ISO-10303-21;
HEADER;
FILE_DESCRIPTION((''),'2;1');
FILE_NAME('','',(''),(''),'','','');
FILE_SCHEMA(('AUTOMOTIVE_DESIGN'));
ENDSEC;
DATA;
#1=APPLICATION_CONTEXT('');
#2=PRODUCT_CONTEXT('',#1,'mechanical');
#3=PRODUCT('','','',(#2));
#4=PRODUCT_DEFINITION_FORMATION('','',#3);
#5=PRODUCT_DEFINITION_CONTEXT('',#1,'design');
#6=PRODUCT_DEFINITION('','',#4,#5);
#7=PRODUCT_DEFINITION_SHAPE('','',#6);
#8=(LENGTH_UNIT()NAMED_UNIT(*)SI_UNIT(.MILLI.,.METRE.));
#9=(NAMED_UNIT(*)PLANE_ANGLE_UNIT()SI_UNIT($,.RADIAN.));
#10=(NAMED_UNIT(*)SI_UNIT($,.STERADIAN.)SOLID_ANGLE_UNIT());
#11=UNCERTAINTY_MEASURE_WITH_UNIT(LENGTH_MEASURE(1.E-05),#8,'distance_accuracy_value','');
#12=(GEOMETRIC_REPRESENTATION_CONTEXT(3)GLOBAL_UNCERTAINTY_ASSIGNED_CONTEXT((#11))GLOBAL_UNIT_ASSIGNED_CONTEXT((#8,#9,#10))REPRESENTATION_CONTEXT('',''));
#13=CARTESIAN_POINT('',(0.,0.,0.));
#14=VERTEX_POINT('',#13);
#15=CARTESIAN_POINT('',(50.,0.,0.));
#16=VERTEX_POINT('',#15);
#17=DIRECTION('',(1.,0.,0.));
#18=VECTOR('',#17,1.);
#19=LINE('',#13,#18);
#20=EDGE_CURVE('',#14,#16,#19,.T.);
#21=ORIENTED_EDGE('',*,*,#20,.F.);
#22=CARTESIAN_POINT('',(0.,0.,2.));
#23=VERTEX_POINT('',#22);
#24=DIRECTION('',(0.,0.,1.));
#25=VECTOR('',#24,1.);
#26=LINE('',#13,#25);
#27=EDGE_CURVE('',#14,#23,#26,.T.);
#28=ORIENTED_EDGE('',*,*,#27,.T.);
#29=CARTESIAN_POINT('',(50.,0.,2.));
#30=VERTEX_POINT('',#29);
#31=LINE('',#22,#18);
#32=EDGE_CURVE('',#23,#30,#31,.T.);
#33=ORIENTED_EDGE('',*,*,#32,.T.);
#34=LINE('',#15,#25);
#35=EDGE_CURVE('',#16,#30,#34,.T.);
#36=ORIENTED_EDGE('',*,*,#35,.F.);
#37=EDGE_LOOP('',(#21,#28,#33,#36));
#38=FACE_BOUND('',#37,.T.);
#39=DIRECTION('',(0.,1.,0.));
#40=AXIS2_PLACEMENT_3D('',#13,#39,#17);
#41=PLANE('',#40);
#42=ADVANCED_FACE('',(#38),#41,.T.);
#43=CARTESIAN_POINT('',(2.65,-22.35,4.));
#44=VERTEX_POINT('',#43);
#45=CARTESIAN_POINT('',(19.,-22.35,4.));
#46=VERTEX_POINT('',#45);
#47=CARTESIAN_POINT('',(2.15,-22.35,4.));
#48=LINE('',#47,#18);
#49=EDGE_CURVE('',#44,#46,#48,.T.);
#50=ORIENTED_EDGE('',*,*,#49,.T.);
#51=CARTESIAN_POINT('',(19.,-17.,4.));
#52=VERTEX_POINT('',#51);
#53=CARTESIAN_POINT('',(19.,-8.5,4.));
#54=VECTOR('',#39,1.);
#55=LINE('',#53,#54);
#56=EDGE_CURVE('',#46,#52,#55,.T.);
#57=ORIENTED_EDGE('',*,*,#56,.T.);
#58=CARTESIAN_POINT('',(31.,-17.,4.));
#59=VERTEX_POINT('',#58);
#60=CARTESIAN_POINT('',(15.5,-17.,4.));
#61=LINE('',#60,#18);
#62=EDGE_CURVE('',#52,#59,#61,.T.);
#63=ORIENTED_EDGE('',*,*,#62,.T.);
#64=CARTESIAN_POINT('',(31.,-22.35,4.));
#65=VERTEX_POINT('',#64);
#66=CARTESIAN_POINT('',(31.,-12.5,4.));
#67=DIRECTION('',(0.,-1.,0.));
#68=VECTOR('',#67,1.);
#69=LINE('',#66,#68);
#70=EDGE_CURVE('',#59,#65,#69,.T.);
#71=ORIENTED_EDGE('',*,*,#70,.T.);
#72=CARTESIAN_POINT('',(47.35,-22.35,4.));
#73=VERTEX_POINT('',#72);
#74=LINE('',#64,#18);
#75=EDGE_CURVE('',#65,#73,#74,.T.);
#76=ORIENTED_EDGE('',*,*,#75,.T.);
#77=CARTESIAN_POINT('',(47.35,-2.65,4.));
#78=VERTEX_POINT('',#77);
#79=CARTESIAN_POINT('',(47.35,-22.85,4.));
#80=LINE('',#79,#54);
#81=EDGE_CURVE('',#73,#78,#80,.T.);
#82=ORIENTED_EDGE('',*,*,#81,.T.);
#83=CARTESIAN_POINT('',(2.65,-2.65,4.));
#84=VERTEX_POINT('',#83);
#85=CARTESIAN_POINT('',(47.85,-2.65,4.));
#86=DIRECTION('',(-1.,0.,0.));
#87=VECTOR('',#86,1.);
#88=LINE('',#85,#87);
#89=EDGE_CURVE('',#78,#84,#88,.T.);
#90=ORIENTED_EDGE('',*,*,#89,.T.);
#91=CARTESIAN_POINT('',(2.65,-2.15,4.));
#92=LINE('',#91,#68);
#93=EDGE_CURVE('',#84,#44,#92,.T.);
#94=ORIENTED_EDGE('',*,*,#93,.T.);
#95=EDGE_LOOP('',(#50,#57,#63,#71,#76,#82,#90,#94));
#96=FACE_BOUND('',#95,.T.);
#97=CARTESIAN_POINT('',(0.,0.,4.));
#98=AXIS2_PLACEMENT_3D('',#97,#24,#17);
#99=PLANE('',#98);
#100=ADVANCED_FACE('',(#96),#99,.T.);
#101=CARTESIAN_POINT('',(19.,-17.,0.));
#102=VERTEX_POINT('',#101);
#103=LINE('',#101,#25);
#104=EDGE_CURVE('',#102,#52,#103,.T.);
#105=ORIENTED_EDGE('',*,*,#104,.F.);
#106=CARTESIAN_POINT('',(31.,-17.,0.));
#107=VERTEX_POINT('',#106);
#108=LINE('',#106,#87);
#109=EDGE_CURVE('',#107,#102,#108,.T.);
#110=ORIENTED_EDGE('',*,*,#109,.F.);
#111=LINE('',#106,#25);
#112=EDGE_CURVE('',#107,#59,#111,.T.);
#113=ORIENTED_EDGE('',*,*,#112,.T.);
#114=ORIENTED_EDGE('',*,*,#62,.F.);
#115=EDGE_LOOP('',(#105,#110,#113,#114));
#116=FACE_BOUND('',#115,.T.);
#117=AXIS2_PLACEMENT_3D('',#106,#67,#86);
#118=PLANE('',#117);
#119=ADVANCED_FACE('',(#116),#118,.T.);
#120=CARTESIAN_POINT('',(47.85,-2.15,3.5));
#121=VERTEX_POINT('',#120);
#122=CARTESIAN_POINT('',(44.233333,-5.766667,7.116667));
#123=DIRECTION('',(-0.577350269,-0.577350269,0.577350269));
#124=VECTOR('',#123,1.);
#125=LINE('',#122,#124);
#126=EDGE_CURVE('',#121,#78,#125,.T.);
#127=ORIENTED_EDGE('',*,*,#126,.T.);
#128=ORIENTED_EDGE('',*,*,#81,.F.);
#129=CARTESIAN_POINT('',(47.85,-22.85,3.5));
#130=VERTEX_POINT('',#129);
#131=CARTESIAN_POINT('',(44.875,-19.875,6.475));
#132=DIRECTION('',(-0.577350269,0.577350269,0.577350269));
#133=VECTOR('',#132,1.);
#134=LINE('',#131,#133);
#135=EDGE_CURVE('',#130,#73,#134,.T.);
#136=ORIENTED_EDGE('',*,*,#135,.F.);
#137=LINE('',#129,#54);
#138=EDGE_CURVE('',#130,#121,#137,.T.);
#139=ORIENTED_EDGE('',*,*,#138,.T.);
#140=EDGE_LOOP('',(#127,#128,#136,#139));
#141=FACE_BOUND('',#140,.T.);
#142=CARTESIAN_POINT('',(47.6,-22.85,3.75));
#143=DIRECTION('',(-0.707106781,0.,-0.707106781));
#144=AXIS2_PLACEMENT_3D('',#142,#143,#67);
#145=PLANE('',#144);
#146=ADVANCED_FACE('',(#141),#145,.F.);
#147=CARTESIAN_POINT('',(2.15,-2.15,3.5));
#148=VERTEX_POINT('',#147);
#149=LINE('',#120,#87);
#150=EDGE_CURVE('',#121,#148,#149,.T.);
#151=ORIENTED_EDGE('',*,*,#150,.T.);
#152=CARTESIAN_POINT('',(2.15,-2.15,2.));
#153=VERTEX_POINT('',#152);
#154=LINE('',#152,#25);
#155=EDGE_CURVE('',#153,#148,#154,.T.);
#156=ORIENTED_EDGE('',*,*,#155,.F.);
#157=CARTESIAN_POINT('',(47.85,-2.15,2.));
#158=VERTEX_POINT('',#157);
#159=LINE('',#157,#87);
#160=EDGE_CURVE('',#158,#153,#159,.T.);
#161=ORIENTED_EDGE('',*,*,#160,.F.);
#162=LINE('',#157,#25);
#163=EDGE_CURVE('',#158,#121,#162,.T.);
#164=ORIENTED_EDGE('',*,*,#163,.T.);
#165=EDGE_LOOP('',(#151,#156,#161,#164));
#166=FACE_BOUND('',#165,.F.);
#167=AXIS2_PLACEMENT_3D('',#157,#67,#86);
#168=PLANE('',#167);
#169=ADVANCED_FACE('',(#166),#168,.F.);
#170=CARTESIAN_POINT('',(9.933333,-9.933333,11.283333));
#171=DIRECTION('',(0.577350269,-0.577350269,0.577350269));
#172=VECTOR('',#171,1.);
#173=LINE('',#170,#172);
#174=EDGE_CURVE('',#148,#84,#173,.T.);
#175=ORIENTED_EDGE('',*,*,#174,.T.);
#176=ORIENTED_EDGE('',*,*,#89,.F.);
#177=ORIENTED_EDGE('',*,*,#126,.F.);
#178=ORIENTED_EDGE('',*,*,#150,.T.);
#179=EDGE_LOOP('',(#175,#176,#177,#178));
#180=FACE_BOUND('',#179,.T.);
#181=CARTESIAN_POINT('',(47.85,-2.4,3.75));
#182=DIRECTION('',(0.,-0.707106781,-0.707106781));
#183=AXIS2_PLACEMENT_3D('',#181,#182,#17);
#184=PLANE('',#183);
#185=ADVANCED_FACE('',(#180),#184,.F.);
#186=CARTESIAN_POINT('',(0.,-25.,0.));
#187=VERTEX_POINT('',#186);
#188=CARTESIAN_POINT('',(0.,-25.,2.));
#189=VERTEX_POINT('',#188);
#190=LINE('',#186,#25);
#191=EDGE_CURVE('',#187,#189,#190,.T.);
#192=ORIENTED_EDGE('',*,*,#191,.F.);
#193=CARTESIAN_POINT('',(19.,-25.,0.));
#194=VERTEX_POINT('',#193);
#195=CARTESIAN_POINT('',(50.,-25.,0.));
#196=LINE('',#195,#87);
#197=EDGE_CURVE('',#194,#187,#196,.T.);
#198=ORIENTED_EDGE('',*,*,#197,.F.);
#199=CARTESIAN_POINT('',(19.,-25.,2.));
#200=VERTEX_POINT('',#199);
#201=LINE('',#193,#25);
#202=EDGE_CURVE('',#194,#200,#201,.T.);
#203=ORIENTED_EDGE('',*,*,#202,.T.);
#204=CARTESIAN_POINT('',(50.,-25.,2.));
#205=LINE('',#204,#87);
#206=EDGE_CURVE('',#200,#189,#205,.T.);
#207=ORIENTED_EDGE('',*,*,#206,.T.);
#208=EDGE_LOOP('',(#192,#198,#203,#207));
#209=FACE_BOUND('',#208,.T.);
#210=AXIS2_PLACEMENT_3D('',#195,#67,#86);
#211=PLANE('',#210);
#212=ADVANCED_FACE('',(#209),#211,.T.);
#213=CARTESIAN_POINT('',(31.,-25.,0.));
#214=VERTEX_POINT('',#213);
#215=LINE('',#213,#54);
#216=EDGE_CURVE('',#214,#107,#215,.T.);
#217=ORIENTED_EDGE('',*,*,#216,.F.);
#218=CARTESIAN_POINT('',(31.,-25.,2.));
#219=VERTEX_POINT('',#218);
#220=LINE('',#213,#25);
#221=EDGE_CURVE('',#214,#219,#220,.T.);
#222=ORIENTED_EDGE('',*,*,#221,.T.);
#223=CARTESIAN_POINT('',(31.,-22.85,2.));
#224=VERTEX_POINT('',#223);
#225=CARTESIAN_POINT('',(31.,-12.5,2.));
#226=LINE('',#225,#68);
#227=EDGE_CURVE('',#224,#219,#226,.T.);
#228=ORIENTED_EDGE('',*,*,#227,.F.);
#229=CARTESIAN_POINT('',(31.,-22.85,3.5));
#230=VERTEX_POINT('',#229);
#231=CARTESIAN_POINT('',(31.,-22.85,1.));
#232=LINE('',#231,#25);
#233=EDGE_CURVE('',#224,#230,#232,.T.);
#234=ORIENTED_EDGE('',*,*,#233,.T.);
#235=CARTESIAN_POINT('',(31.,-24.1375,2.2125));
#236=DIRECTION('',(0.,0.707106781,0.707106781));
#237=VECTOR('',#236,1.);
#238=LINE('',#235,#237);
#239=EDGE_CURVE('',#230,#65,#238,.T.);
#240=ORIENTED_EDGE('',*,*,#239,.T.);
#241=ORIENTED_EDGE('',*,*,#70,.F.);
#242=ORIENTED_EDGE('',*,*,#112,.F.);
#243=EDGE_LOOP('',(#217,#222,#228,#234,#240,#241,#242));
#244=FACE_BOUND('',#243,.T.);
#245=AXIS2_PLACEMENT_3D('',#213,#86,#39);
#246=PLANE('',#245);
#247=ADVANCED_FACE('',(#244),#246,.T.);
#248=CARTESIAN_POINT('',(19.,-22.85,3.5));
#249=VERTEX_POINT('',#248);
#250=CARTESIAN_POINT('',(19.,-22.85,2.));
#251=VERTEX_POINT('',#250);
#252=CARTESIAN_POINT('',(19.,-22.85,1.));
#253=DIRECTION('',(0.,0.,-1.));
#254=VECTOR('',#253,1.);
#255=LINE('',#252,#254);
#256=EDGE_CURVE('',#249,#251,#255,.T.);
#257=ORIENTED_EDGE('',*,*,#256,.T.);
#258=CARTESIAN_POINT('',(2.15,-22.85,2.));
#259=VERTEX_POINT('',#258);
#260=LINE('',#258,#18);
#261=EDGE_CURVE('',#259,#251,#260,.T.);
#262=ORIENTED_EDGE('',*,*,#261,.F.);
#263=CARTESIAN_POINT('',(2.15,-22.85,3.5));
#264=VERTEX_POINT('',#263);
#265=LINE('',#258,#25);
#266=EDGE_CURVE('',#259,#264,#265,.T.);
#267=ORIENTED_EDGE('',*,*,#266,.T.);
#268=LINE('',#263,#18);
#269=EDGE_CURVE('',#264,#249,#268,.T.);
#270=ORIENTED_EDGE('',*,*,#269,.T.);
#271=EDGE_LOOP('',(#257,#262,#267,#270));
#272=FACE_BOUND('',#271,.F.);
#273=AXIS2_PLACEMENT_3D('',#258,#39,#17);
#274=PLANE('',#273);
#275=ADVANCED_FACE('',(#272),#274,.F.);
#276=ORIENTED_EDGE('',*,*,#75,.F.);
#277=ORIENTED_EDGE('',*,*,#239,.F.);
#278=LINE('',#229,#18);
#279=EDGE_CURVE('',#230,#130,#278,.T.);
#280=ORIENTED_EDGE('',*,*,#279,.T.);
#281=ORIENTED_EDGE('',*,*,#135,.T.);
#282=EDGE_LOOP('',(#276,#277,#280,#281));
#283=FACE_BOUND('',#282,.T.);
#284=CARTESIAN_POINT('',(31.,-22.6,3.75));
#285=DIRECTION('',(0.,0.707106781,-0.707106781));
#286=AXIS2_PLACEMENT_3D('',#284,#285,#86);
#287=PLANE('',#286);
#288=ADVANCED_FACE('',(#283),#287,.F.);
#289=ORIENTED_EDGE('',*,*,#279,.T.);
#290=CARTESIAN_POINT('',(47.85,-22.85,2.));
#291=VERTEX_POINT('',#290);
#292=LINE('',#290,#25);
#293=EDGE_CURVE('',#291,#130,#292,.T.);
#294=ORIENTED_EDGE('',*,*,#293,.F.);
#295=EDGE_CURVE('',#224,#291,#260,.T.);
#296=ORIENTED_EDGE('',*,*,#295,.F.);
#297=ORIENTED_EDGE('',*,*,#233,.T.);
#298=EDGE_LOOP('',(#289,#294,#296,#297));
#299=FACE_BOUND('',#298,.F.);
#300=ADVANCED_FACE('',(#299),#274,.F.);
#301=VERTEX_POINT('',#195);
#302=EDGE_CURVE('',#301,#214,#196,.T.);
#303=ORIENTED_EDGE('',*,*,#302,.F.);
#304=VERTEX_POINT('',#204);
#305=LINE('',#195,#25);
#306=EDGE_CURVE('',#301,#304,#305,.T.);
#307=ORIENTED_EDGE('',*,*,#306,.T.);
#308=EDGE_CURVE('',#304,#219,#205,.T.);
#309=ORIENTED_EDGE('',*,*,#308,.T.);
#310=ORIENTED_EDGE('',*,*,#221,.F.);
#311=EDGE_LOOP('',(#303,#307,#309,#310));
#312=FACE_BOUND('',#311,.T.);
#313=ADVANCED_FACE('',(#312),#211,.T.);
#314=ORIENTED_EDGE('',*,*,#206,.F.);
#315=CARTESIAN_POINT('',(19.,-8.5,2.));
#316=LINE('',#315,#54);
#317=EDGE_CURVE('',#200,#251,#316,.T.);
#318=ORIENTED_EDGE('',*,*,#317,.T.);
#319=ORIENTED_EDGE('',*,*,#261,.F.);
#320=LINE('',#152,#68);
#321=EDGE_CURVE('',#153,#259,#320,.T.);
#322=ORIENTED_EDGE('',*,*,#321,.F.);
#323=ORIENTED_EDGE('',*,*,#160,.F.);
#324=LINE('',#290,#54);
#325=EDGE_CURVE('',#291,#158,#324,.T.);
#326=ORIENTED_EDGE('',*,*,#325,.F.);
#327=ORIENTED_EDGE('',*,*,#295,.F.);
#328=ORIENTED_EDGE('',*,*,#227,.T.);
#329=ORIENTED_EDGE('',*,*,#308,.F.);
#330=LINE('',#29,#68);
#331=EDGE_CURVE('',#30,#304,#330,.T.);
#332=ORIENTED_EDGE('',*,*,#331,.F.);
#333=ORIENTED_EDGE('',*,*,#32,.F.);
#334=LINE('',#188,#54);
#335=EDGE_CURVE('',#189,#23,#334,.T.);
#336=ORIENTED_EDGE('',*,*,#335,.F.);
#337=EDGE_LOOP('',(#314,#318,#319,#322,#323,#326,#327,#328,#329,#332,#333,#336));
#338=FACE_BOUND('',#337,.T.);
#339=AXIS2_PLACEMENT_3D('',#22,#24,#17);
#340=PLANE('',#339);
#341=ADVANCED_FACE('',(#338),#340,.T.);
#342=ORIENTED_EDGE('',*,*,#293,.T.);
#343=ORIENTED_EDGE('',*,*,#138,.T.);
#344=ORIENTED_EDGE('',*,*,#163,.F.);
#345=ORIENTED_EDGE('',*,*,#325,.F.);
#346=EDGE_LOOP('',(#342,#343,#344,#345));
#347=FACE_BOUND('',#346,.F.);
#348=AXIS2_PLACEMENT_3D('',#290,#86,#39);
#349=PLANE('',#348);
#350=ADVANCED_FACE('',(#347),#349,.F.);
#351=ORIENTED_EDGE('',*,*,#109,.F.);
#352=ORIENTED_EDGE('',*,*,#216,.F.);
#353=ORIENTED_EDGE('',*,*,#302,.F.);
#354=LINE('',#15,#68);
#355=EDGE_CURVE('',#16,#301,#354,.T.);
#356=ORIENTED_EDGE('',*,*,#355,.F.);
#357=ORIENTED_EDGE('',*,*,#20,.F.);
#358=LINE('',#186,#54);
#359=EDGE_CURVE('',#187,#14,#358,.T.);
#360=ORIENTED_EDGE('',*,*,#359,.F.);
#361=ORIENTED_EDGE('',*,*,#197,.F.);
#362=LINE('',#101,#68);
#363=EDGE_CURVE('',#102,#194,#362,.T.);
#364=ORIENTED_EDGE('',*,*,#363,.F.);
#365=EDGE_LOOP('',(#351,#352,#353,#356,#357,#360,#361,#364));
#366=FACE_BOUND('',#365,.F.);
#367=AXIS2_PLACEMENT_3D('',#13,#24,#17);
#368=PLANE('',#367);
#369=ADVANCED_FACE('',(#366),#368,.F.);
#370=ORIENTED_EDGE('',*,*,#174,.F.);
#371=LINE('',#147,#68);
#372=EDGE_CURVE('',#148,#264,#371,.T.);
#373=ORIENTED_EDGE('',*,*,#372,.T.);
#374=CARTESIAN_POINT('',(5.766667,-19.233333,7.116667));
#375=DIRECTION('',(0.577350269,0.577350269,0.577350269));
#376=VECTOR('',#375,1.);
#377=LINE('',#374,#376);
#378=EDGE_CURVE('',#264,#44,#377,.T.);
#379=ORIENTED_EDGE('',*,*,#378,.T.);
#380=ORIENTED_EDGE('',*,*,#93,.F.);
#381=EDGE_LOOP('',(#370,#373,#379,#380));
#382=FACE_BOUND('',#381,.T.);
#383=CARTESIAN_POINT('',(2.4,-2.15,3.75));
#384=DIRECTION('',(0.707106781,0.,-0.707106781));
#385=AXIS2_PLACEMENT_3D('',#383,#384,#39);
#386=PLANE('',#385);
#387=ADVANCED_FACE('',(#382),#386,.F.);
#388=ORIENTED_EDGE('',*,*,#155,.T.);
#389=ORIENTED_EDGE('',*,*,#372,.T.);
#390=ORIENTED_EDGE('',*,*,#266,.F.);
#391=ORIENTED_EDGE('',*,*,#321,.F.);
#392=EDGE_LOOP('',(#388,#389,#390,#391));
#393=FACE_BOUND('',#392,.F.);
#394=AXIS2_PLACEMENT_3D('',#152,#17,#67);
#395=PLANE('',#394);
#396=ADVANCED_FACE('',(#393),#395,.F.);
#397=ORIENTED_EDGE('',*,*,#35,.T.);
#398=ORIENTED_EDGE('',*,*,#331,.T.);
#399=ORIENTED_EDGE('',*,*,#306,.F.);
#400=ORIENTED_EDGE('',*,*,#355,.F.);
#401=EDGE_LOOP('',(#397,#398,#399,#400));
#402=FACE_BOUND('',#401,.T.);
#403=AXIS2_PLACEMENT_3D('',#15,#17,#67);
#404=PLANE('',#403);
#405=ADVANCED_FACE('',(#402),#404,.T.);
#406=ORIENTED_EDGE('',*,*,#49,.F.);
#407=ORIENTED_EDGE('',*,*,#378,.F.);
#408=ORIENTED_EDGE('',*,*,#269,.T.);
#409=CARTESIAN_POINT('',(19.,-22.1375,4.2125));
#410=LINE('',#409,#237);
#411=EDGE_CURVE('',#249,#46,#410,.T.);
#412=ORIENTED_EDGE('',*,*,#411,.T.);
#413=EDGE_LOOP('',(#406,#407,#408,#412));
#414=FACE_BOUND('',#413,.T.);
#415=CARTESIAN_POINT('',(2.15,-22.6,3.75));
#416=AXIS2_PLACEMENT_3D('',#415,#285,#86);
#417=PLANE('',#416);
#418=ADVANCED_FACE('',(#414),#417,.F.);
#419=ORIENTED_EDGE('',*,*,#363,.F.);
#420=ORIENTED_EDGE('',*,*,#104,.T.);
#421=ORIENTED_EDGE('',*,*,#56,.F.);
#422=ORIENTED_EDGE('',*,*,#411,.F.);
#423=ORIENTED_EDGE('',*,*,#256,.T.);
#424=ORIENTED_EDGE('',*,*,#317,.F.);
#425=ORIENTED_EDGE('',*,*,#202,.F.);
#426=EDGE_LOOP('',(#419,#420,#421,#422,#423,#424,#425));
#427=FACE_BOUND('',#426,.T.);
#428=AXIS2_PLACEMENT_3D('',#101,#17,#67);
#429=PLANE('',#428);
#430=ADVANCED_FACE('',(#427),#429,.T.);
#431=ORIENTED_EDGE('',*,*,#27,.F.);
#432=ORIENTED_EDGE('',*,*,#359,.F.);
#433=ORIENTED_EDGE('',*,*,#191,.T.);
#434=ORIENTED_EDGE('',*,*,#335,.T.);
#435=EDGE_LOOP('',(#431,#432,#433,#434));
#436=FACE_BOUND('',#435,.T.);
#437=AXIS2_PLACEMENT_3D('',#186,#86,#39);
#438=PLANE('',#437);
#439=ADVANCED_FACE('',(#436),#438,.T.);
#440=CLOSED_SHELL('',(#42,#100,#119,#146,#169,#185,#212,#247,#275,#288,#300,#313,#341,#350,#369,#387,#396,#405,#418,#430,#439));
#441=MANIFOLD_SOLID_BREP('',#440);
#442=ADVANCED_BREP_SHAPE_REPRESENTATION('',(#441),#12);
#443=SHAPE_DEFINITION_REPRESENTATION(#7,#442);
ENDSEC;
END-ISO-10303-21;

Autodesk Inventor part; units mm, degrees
ref_plane "YZ Plane" through (0, 0, 0) normal (1, 0, 0) x (0, 1, 0)
ref_plane "XZ Plane" through (0, 0, 0) normal (0, 1, 0) x (-1, 0, 0)
ref_plane "XY Plane" through (0, 0, 0) normal (0, 0, 1) x (1, 0, 0)
sketch "Sketch1" plane through (0, 0, 0) normal (0, 0, 1) x (1, 0, 0)
  line L0 (0, 0) -> (50, 0)
  line L1 (50, 0) -> (50, -25)
  line L2 (50, -25) -> (0, -25)
  line L3 (0, -25) -> (0, 0)
  dimension "d0" = 50
  dimension "d1" = 25
extrude "Extrusion1" add sketch "Sketch1" along normal blind 2
sketch "Sketch2" plane through (0, 0, 2) normal (0, 0, 1) x (1, 0, 0)
  line L0 (47.85, -2.15) -> (2.15, -2.15)
  line L1 (2.15, -2.15) -> (2.15, -22.85)
  line L2 (2.15, -22.85) -> (47.85, -22.85)
  line L3 (47.85, -22.85) -> (47.85, -2.15)
  line L4 (50, -25) -> (50, 0) projected
  line L5 (50, 0) -> (0, 0) projected
  dimension "d4" = 45.7
  dimension "d5" = 20.7
  dimension "d6" = 2.15
  dimension "d7" = 2.15
extrude "Extrusion2" add sketch "Sketch2" along normal blind 2
sketch "Sketch3" plane through (0, 0, 0) normal (0, 0, -1) x (-1, 0, 0)
  line L0 (0, -25) -> (-50, -25) projected
  line L1 (-19, -25) -> (-31, -25)
  line L2 (-31, -25) -> (-31, -17)
  line L3 (-31, -17) -> (-19, -17)
  line L4 (-19, -17) -> (-19, -25)
  line L5 (0, 0) -> (0, -25) projected
  dimension "d10" = 12
  dimension "d11" = 8
  dimension "d12" = 19
extrude "Extrusion3" cut sketch "Sketch3" against normal through all
chamfer "Chamfer1" distance 0.5 angle 45 5 edges at (25, -2.15, 4) (47.85, -12.5, 4) (39.425, -22.85, 4) (10.575, -22.85, 4) (2.15, -12.5, 4)
properties part number "UltrasonicSensorMountTest_backplate"
